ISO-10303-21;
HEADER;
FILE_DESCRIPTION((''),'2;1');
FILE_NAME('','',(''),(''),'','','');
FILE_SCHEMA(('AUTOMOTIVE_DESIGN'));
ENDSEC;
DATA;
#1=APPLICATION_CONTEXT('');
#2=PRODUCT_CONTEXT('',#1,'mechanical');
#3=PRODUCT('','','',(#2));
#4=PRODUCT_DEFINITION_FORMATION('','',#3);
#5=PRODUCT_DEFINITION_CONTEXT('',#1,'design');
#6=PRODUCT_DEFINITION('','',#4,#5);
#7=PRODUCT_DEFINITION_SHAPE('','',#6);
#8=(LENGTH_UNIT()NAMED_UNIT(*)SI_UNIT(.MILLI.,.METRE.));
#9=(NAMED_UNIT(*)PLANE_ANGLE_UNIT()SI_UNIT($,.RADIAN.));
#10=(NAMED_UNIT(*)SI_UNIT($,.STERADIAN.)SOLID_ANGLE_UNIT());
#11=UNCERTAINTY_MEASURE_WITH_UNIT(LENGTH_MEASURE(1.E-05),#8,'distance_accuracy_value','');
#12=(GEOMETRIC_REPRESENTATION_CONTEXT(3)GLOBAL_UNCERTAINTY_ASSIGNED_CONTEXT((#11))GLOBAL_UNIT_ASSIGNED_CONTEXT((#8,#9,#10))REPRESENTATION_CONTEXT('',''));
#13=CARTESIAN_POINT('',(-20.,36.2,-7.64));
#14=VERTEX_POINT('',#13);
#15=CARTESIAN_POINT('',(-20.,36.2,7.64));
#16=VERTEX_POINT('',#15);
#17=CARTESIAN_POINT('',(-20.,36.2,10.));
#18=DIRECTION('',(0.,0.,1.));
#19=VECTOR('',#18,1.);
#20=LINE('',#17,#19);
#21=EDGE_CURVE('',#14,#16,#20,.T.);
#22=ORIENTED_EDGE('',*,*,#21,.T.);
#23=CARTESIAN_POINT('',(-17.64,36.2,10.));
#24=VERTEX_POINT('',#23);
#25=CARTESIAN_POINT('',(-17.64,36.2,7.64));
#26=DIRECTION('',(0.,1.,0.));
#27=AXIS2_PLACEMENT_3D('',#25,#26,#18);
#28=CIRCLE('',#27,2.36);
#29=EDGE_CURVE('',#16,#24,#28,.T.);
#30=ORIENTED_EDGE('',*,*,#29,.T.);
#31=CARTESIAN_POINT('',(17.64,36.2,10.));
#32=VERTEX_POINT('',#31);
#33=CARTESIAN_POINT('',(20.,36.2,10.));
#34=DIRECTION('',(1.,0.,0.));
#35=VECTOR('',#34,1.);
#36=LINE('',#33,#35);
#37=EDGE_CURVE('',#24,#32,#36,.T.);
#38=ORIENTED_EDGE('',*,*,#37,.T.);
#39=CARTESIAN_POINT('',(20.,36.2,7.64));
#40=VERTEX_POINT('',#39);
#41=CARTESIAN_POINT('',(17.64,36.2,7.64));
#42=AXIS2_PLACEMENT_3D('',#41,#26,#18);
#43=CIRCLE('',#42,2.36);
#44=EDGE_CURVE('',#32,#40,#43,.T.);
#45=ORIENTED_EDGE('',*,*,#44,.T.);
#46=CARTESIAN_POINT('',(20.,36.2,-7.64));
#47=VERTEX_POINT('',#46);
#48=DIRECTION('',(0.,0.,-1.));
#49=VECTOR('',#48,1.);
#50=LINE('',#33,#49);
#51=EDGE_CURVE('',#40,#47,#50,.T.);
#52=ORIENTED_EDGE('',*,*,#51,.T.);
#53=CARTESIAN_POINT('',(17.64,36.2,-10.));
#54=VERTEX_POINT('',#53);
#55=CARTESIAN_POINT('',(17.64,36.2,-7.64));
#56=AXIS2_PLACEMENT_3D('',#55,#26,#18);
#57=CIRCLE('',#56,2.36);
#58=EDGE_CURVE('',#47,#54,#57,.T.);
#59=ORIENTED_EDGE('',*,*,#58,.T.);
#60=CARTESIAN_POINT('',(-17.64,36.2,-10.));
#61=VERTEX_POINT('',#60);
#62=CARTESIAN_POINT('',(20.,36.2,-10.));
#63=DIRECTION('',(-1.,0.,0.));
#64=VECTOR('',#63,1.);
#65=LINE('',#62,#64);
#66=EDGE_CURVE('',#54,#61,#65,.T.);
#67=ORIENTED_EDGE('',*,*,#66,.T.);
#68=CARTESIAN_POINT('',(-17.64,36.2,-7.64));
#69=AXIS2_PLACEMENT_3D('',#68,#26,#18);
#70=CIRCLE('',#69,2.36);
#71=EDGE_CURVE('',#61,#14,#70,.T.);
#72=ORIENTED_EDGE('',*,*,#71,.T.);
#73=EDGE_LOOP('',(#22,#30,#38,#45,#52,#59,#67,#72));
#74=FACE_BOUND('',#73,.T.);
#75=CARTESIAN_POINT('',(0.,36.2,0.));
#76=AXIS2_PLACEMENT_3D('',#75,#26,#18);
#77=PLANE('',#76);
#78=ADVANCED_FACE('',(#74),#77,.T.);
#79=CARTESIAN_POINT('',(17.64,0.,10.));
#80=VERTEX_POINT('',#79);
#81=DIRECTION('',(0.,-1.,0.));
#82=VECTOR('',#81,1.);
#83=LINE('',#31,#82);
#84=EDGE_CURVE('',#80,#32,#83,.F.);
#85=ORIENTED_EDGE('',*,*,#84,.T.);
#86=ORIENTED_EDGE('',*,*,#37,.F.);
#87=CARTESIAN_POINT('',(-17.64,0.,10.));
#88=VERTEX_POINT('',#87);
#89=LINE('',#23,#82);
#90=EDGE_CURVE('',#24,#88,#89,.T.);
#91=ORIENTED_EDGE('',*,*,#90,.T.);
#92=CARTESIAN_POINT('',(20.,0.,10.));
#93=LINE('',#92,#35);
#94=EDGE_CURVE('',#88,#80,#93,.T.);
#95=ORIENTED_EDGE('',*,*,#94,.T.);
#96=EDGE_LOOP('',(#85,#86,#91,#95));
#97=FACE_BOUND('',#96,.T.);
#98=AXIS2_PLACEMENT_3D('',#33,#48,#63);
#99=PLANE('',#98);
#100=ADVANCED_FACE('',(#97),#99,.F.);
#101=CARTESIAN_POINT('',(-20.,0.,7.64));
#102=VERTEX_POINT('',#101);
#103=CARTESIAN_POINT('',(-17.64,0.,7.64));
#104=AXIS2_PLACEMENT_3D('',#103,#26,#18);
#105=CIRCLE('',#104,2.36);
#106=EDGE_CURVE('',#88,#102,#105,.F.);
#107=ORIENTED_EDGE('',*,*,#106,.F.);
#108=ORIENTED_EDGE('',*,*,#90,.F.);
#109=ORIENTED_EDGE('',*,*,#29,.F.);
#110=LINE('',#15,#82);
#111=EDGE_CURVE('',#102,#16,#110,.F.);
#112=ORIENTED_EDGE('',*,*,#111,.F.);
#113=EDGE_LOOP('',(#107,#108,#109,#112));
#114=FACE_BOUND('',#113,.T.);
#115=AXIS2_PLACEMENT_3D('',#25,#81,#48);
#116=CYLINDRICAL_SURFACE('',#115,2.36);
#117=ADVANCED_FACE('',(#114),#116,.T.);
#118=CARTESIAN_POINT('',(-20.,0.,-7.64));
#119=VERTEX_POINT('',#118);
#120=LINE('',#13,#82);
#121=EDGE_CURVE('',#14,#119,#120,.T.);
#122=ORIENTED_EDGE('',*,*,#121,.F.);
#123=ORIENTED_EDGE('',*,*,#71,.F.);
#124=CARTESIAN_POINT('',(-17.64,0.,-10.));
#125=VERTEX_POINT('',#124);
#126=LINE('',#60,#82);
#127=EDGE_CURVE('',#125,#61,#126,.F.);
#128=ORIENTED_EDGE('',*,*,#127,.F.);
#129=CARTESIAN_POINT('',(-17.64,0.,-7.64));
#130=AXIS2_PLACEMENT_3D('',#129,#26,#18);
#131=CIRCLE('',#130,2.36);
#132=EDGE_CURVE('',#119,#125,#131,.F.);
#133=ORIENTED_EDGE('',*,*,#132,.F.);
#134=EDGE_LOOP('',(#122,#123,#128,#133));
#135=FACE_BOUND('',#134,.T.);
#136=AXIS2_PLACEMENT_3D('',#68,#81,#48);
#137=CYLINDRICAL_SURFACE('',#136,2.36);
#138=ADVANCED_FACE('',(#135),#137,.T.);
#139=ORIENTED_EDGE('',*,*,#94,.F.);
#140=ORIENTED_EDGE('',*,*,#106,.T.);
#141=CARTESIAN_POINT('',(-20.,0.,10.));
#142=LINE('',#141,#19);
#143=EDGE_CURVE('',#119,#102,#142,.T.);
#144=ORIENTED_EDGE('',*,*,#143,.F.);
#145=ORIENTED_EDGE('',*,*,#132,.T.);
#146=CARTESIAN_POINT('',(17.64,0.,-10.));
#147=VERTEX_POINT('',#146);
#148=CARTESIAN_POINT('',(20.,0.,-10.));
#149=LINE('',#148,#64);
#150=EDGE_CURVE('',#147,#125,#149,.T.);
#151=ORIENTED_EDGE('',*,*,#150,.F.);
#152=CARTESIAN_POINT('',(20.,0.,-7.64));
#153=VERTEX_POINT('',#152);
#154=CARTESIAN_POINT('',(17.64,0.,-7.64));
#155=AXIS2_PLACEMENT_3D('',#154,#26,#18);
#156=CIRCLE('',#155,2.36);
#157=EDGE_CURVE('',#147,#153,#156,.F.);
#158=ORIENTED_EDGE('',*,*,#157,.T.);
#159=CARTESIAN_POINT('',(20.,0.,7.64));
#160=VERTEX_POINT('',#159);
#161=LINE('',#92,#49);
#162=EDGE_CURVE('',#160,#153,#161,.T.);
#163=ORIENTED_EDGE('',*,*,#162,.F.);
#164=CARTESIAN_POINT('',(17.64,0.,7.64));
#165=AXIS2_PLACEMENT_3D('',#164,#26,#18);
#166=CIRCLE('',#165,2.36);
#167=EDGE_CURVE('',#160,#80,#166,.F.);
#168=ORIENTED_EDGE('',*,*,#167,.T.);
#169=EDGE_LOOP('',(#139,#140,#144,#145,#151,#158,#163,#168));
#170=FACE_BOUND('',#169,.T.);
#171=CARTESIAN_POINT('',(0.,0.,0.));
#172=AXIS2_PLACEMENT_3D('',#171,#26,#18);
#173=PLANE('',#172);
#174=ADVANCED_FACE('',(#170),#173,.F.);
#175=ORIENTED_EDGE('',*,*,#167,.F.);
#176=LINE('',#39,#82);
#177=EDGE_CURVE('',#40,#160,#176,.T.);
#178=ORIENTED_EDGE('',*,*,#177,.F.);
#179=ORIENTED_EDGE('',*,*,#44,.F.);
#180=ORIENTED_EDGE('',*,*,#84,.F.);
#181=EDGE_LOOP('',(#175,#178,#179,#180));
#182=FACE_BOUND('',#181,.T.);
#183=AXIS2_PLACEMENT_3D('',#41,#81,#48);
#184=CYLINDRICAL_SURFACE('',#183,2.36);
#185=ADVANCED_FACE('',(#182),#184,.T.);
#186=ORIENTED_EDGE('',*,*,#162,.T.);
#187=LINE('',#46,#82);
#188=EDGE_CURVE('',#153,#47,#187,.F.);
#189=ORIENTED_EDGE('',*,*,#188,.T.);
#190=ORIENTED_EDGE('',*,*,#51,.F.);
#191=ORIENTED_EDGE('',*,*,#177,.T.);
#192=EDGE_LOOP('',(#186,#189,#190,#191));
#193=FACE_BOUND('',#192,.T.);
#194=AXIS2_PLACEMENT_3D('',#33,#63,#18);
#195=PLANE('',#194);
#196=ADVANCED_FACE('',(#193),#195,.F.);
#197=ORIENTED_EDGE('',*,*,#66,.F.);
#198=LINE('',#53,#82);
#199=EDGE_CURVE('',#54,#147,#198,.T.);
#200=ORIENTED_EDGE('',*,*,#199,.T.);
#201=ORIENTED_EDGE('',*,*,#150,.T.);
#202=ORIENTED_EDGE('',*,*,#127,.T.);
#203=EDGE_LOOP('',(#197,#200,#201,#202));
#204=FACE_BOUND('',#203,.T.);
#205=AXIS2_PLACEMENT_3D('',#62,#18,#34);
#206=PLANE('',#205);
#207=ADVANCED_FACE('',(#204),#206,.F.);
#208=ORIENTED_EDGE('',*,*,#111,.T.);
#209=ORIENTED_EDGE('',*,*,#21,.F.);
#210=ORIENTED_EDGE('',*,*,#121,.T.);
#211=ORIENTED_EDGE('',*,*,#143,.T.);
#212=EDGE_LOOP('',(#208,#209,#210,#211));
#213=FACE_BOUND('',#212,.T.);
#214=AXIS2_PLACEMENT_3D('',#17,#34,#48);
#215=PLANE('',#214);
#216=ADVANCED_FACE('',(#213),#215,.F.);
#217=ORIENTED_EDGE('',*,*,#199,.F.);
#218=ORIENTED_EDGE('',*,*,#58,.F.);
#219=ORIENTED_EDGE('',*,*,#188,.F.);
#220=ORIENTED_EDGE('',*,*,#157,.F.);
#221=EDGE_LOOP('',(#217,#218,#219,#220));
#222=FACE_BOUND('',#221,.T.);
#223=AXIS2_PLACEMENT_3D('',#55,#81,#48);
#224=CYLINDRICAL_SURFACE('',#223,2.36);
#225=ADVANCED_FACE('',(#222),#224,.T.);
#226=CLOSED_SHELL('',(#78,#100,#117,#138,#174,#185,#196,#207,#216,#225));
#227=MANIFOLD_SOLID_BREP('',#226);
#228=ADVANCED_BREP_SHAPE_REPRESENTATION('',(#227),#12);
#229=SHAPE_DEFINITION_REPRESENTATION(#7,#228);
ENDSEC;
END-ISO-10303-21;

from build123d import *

# Parameters (mm, degrees)
SKETCH1_W           = 40
SKETCH1_H           = 20
BOSS_EXTRUDE1_DEPTH = 36.2
FILLET1_R           = 2.36


with BuildPart() as part:
    # Sketch1 → Boss-Extrude1 (new body)
    with BuildSketch(Plane(origin=(0, 0, 0), x_dir=(1, 0, 0), z_dir=(0, 1, 0))):
        Rectangle(SKETCH1_W, SKETCH1_H)
    extrude(amount=BOSS_EXTRUDE1_DEPTH)

    # Fillet1
    fillet1_edges = [part.edges().sort_by_distance(p)[0] for p in [
        (-20, 18.1, -10),
        (20, 18.1, -10),
        (20, 18.1, 10),
        (-20, 18.1, 10),
    ]]
    fillet(fillet1_edges, radius=FILLET1_R)


solid = part.part
